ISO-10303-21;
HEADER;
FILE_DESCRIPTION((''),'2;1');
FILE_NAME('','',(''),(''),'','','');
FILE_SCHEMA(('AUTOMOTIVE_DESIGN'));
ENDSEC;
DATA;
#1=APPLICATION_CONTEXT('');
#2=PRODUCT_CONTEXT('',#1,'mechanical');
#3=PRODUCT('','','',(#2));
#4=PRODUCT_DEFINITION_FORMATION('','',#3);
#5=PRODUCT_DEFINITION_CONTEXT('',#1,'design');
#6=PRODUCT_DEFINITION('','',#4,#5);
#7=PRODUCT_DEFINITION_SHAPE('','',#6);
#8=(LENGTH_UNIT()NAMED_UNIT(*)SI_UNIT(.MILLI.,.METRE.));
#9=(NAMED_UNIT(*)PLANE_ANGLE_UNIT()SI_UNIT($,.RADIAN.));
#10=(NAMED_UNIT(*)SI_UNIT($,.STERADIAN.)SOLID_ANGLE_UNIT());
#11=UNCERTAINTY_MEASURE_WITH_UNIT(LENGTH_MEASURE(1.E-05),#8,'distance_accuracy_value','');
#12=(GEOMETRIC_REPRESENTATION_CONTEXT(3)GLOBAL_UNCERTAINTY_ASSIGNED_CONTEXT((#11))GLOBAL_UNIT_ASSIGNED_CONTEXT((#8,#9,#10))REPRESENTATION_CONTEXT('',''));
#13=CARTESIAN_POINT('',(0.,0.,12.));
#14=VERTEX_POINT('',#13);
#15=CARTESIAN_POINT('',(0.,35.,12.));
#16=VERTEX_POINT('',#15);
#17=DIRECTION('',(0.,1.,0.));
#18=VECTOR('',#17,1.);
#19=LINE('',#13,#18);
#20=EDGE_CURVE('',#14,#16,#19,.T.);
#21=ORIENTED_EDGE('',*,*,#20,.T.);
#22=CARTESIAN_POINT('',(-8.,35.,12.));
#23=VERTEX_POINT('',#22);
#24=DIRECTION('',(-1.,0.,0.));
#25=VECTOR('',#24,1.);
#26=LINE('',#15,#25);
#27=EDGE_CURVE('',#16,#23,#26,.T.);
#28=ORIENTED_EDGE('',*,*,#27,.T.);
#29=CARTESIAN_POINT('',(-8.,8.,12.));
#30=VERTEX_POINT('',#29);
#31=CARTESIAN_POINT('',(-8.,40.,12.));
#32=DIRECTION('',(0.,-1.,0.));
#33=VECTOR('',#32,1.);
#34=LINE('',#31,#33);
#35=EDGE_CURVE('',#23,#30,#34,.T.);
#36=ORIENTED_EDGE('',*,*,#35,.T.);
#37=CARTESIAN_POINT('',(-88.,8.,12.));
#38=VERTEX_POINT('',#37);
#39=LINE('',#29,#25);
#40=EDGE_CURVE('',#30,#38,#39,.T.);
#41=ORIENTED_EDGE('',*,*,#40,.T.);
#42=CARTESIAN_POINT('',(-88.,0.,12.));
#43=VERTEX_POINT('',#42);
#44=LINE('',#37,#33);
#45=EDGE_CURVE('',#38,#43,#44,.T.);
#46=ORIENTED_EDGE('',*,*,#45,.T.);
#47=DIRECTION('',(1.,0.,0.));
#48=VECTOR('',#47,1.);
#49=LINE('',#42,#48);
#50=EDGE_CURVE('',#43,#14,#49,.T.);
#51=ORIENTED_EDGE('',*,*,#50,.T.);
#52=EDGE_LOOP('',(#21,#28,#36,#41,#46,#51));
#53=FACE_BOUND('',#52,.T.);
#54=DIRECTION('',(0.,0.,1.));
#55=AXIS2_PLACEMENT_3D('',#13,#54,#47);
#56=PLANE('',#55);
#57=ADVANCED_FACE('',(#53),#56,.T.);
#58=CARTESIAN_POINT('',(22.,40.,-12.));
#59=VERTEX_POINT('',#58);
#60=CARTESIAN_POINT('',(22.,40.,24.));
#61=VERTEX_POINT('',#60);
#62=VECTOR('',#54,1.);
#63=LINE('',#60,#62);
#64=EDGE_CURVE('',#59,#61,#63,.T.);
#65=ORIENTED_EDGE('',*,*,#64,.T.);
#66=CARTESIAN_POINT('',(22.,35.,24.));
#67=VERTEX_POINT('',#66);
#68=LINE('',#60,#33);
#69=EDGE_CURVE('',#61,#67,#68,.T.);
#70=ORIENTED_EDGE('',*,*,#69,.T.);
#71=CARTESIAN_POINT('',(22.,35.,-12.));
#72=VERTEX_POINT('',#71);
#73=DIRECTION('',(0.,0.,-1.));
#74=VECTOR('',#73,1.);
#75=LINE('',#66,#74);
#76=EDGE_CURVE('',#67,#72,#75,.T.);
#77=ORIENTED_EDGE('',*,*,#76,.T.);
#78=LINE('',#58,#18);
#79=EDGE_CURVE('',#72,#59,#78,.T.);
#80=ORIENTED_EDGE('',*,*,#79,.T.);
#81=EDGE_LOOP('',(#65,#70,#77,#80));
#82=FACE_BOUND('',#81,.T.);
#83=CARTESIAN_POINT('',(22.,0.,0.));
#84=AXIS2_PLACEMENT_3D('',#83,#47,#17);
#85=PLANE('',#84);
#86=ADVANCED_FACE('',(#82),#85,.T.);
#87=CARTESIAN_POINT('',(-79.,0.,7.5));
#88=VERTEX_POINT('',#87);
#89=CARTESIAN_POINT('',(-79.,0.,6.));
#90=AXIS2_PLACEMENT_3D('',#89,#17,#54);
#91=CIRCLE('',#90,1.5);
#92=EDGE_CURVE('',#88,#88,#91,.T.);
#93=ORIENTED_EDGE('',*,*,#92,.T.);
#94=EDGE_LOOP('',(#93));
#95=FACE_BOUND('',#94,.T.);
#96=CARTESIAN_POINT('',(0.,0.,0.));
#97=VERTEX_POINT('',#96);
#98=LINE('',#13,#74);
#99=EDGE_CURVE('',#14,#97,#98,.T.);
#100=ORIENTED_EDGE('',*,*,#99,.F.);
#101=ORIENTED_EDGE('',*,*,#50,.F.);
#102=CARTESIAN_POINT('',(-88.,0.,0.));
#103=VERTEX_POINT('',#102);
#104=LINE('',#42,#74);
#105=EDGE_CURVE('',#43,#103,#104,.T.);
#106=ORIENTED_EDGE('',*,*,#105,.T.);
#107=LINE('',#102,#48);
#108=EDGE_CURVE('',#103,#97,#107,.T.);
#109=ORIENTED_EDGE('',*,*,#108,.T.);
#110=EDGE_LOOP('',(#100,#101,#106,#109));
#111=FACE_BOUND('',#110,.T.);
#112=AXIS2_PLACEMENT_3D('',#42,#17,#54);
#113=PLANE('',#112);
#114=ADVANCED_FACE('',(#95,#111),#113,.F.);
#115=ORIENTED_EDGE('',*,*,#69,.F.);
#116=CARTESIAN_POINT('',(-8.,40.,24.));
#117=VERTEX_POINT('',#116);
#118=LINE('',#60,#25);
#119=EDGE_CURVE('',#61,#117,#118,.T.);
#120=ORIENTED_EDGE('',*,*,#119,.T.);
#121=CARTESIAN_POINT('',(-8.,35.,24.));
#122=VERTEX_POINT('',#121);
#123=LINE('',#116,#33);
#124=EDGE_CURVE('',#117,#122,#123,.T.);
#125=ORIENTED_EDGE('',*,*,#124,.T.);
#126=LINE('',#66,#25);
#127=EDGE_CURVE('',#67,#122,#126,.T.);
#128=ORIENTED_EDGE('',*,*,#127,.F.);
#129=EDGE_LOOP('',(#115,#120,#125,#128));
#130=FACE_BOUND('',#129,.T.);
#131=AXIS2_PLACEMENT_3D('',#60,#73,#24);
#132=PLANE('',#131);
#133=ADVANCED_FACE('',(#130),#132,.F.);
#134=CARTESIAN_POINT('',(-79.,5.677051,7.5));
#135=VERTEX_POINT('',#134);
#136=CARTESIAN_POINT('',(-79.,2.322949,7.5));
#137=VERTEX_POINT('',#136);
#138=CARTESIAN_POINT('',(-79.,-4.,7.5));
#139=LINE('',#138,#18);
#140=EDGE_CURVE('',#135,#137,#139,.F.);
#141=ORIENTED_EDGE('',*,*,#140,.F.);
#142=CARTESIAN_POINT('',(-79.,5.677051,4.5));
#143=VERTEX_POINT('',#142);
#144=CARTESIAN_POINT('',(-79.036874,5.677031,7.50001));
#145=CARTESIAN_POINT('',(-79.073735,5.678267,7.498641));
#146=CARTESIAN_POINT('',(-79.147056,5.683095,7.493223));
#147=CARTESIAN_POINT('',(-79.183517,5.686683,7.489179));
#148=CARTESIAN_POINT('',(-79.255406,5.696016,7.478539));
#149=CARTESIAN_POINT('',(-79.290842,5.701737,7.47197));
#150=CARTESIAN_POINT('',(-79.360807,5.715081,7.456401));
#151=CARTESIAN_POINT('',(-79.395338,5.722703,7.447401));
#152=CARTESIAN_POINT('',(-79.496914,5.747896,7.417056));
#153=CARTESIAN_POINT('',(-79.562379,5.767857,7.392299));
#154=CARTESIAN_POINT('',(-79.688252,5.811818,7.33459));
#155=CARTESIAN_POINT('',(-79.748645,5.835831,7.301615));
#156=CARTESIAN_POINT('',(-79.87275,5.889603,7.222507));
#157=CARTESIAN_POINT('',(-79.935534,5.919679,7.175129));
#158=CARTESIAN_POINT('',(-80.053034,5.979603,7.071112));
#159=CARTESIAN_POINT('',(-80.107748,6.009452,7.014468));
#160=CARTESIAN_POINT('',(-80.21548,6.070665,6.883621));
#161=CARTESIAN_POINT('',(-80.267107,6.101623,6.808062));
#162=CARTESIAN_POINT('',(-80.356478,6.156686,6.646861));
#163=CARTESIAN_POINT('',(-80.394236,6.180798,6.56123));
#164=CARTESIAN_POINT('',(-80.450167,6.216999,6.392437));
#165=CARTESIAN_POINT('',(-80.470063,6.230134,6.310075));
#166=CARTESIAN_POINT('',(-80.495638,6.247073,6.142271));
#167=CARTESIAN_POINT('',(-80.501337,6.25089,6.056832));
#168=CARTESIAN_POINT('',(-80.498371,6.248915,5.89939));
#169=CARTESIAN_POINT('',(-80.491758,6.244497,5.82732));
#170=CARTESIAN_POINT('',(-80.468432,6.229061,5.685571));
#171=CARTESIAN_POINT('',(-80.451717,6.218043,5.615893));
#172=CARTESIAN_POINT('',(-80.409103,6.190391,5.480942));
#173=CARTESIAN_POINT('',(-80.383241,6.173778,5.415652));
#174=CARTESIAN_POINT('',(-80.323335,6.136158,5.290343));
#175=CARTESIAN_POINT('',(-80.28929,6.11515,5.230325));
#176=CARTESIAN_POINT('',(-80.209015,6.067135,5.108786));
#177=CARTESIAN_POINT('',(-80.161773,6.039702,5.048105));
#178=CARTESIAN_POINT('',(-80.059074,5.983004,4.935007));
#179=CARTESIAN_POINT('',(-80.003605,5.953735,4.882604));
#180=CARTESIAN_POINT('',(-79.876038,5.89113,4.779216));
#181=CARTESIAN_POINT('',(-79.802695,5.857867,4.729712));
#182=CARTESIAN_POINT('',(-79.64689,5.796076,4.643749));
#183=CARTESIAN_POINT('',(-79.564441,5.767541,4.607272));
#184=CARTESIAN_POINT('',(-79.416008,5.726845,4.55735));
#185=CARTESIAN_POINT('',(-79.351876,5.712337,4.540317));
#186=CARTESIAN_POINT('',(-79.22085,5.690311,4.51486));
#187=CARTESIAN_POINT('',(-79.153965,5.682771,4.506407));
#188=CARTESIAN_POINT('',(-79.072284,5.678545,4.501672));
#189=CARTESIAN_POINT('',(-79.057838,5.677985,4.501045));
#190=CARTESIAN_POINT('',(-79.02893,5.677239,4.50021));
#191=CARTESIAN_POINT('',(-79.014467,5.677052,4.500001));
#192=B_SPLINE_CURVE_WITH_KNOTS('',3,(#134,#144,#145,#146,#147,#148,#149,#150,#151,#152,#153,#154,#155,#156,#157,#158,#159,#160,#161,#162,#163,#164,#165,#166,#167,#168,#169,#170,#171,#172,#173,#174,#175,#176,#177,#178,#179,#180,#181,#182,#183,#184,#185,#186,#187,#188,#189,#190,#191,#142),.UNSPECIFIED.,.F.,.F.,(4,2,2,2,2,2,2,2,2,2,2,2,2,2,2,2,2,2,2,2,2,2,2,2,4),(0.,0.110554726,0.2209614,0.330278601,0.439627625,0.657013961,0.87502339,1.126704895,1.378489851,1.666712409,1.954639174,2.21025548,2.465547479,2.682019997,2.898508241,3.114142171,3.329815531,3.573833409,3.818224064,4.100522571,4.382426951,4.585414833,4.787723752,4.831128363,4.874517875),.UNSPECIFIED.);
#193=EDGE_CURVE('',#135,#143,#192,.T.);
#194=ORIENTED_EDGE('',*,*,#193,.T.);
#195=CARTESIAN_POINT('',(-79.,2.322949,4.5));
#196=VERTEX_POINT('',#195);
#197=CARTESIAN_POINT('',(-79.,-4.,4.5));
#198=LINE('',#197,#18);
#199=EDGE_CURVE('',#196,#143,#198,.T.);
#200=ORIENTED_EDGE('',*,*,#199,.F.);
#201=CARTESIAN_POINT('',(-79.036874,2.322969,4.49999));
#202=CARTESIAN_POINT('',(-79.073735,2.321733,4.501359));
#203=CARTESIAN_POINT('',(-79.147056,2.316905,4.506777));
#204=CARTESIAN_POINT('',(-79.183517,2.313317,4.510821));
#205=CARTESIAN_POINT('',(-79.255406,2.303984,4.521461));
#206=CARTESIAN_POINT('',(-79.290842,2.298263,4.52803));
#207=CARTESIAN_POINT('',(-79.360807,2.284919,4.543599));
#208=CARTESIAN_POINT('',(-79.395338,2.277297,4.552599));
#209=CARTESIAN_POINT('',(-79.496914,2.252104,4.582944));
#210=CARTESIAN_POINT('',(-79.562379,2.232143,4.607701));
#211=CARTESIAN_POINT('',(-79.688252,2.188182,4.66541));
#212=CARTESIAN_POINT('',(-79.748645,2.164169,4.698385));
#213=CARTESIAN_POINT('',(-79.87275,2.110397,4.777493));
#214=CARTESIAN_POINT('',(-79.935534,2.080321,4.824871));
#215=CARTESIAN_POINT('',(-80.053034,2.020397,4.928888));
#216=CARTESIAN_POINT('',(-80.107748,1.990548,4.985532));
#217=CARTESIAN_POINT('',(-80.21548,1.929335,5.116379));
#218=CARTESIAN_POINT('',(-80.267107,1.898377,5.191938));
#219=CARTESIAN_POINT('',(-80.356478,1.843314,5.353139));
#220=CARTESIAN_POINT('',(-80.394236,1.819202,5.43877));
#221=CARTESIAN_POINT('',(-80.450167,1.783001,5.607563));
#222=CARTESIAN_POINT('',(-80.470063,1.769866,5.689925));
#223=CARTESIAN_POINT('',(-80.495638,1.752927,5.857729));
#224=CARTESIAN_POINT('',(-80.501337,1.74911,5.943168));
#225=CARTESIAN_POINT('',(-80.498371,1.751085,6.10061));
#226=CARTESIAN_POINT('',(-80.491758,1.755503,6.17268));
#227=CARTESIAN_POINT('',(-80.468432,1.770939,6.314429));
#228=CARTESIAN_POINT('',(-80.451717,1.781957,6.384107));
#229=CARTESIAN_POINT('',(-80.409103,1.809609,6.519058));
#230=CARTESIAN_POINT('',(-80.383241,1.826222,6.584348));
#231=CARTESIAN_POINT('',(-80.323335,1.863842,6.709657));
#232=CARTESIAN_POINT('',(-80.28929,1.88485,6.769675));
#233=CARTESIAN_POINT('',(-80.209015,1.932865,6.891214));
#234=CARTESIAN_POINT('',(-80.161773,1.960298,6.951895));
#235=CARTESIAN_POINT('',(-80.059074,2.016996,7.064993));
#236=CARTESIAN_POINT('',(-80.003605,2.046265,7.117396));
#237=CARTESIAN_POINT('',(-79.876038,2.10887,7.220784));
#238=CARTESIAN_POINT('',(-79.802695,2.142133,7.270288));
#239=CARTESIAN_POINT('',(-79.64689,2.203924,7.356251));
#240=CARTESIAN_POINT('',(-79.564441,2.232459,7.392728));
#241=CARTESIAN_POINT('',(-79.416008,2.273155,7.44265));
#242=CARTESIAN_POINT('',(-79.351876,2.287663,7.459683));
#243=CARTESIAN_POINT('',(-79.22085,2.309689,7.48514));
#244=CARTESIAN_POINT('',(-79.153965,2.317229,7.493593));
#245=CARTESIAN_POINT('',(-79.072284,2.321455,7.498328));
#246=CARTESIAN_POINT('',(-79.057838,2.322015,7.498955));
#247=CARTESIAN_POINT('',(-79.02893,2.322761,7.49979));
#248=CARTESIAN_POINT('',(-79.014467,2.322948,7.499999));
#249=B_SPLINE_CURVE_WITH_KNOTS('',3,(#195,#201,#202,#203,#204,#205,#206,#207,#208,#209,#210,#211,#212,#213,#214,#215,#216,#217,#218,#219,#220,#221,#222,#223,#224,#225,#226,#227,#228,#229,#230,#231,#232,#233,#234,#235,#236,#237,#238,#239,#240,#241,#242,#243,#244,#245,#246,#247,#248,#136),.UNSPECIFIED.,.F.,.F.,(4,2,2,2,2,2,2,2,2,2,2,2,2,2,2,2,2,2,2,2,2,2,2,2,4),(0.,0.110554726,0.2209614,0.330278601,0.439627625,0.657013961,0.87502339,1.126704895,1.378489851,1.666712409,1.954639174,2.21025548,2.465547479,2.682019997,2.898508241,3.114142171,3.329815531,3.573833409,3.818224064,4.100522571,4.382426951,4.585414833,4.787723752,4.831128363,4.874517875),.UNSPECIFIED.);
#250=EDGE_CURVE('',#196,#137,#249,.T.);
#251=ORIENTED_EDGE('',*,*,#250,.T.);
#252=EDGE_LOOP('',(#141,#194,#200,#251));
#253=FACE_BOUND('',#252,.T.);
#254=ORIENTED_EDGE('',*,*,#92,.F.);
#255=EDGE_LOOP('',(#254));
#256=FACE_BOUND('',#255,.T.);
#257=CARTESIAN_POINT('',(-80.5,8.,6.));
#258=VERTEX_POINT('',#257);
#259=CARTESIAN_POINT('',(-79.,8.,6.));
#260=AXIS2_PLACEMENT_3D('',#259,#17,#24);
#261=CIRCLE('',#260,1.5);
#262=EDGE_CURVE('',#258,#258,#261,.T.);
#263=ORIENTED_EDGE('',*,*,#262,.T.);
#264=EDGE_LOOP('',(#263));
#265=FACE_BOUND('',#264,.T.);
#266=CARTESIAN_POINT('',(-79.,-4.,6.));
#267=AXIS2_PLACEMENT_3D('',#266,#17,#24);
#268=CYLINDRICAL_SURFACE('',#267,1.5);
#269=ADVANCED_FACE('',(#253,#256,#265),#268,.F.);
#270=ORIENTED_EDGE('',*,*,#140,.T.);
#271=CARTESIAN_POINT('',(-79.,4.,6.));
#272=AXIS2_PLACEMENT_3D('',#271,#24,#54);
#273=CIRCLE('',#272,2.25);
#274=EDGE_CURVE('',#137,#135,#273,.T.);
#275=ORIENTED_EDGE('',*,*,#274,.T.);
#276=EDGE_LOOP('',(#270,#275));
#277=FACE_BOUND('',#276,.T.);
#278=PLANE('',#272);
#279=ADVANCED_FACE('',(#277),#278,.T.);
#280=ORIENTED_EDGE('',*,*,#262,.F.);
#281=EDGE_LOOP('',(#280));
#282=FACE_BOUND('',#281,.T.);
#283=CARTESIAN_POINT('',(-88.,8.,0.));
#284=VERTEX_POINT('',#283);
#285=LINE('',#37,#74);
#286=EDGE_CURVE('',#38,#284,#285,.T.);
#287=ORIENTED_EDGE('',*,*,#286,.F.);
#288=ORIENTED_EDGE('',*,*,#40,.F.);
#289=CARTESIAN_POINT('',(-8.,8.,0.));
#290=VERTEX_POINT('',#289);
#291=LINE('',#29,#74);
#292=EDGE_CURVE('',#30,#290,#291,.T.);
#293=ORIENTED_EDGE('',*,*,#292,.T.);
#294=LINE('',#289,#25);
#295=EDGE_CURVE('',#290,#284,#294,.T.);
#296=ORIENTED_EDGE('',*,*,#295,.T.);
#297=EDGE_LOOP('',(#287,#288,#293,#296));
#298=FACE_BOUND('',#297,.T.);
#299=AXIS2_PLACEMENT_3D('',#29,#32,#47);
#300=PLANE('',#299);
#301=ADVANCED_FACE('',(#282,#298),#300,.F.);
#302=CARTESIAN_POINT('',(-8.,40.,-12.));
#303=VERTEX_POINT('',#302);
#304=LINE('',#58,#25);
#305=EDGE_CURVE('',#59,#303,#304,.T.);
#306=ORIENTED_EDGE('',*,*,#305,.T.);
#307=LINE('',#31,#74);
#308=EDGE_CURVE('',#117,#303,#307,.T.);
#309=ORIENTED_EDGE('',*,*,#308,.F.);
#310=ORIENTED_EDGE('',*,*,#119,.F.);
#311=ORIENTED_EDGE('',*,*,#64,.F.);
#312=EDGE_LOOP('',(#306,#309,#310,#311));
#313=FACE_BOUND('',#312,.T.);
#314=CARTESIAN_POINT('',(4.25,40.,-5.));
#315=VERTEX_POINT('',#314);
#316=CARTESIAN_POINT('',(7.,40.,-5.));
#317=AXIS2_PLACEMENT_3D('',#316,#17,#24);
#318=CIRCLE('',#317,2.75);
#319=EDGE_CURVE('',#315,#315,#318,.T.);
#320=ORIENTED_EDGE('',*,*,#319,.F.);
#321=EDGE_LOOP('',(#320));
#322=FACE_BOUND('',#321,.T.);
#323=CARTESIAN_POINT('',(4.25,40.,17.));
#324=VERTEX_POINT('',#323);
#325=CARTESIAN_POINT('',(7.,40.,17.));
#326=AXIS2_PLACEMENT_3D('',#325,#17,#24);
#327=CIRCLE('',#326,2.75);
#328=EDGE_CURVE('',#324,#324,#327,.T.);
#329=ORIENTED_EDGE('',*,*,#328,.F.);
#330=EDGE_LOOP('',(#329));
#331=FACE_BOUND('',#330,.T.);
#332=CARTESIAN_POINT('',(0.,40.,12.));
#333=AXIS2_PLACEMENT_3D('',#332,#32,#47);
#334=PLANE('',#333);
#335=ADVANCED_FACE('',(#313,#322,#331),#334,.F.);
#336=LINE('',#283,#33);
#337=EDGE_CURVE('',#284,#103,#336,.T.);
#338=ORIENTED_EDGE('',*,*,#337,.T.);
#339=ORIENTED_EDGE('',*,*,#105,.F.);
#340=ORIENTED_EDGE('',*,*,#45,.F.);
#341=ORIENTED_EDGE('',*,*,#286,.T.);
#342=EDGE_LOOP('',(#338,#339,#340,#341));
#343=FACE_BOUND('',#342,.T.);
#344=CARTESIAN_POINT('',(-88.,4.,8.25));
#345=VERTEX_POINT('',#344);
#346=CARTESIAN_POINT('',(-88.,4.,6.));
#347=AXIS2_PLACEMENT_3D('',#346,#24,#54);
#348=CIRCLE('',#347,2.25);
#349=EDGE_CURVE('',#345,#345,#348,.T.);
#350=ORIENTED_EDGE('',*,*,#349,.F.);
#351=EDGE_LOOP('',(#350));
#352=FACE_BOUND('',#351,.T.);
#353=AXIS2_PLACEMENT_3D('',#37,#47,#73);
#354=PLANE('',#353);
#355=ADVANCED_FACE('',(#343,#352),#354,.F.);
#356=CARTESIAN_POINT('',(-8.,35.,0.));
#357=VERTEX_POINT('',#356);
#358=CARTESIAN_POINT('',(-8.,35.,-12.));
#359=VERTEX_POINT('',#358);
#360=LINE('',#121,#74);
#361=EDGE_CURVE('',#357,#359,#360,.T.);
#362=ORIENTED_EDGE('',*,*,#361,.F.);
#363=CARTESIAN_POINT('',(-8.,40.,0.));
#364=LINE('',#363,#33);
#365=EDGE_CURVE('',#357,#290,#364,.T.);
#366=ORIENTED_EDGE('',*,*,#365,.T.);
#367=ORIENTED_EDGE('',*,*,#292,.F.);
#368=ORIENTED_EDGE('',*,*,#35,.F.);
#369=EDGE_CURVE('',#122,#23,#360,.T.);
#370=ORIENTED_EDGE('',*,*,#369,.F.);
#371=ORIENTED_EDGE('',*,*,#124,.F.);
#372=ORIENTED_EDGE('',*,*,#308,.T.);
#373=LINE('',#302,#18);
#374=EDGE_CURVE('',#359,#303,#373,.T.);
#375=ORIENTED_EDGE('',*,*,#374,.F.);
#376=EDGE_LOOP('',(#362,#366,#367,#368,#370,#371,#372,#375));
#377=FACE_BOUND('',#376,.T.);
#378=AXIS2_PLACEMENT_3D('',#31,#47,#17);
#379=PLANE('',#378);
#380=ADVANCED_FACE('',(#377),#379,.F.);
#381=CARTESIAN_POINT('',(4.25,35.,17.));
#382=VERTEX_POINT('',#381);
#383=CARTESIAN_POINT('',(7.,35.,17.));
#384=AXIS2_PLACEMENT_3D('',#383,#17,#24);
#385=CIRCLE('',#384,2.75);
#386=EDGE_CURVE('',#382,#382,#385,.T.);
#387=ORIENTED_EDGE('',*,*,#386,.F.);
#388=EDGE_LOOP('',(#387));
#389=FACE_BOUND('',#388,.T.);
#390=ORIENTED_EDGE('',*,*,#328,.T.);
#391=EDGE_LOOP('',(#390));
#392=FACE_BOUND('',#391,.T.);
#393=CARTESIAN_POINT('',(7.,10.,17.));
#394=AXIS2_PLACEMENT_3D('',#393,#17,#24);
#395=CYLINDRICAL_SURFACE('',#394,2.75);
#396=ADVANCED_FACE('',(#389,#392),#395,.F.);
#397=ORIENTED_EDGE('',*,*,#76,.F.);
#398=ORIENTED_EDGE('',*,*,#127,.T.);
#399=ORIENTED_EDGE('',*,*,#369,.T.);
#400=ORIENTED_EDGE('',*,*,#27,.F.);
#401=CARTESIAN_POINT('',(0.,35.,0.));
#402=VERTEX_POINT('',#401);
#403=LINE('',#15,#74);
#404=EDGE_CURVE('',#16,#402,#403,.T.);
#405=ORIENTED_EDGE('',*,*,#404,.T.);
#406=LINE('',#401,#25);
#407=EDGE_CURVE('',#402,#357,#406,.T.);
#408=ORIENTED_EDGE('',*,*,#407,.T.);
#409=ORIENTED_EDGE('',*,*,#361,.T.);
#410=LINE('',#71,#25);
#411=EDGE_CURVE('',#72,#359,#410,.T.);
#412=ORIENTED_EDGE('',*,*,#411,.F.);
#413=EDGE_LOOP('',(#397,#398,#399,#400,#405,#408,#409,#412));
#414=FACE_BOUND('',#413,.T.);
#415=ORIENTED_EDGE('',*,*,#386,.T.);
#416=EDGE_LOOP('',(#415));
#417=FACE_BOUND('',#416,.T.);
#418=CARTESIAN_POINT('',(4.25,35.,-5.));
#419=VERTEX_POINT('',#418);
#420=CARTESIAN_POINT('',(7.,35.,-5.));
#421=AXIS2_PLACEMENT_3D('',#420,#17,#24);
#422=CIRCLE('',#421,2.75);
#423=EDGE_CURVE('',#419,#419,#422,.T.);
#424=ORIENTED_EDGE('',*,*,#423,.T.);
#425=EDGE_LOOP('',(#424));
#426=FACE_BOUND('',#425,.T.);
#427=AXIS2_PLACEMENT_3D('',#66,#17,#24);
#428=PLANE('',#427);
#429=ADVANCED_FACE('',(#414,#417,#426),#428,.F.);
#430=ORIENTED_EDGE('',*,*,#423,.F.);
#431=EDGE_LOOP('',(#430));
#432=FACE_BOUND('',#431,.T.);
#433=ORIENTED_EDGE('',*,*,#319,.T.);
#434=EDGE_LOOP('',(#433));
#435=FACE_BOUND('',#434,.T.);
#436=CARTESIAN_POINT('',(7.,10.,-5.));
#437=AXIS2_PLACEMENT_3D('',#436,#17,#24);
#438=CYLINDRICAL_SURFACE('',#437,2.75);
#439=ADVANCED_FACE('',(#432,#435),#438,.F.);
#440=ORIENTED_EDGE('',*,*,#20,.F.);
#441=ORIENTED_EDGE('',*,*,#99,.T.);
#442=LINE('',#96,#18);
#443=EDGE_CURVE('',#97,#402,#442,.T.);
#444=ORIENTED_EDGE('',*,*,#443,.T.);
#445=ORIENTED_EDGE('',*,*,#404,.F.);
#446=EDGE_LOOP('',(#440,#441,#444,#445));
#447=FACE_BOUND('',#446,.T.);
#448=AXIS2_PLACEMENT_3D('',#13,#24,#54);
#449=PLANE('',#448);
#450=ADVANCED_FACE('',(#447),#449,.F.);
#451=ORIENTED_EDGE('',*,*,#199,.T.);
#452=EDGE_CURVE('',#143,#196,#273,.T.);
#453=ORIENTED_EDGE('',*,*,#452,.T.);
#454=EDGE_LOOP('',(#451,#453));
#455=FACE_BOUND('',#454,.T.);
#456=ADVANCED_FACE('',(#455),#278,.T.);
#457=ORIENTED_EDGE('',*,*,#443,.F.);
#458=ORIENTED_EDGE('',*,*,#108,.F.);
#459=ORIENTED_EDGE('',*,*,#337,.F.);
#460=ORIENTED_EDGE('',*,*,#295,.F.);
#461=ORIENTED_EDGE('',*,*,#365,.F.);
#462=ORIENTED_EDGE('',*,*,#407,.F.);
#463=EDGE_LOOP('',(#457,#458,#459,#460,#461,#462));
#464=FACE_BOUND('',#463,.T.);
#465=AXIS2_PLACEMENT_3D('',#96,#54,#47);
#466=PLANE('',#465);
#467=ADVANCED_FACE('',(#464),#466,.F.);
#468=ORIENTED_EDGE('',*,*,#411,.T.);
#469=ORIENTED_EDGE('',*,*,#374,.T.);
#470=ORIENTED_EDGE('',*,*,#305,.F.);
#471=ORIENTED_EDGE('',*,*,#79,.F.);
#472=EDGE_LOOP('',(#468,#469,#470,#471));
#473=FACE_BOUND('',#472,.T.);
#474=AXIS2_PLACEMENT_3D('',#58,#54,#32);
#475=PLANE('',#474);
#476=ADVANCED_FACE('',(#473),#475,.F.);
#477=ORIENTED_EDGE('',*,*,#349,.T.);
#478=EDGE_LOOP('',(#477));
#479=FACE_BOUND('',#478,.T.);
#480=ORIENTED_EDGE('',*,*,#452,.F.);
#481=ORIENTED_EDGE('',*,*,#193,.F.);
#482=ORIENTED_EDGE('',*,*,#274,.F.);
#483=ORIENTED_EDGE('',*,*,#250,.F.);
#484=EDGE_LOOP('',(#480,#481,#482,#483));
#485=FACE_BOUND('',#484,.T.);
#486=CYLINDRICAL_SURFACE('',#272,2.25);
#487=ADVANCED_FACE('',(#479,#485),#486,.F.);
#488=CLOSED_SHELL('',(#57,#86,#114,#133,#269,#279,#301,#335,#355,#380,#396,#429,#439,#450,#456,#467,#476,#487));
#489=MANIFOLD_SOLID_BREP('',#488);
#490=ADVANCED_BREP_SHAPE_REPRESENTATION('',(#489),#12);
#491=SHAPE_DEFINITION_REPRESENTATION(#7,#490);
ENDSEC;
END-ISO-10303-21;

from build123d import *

# Parameters (mm, degrees)
BOSS_EXTRUDE1_DEPTH = 12
SKETCH2_R           = 1.5
CUT_EXTRUDE1_DEPTH  = 12
SKETCH3_R           = 2.25
CUT_EXTRUDE2_DEPTH  = 9
SKETCH4_W           = 36
SKETCH4_H           = 5
BOSS_EXTRUDE2_DEPTH = 30
SKETCH5_R           = 2.75
CUT_EXTRUDE3_DEPTH  = 30


with BuildPart() as part:
    # Sketch1 → Boss-Extrude1 (new body)
    with BuildSketch(Plane.XY):
        Polygon((0, 0), (0, 40), (-8, 40), (-8, 8), (-88, 8), (-88, 0), align=None)
    extrude(amount=BOSS_EXTRUDE1_DEPTH)

    # Sketch2 → Cut-Extrude1 (cut)
    with BuildSketch(Plane(origin=(0, 8, 0), x_dir=(1, 0, 0), z_dir=(0, 1, 0))):
        with Locations(Location((-79, -6, 0), (0, 0, 180))):
            Circle(SKETCH2_R)
    extrude(amount=-CUT_EXTRUDE1_DEPTH, mode=Mode.SUBTRACT)

    # Sketch3 → Cut-Extrude2 (cut)
    with BuildSketch(Plane.ZY.offset(88)):
        with Locations((6, 4)):
            Circle(SKETCH3_R)
    extrude(amount=-CUT_EXTRUDE2_DEPTH, mode=Mode.SUBTRACT)

    # Sketch4 → Boss-Extrude2 (add)
    with BuildSketch(Plane(origin=(-8, 0, 0), x_dir=(0, 0, -1), z_dir=(1, 0, 0))):
        with Locations((-6, 37.5)):
            Rectangle(SKETCH4_W, SKETCH4_H)
    extrude(amount=BOSS_EXTRUDE2_DEPTH)

    # Sketch5 → Cut-Extrude3 (cut)
    with BuildSketch(Plane(origin=(0, 40, 0), x_dir=(1, 0, 0), z_dir=(0, 1, 0))):
        with Locations(Location((7, -17, 0), (0, 0, 180))):
            Circle(SKETCH5_R)
        with Locations(Location((7, 5, 0), (0, 0, 180))):
            Circle(SKETCH5_R)
    extrude(amount=-CUT_EXTRUDE3_DEPTH, mode=Mode.SUBTRACT)


solid = part.part
